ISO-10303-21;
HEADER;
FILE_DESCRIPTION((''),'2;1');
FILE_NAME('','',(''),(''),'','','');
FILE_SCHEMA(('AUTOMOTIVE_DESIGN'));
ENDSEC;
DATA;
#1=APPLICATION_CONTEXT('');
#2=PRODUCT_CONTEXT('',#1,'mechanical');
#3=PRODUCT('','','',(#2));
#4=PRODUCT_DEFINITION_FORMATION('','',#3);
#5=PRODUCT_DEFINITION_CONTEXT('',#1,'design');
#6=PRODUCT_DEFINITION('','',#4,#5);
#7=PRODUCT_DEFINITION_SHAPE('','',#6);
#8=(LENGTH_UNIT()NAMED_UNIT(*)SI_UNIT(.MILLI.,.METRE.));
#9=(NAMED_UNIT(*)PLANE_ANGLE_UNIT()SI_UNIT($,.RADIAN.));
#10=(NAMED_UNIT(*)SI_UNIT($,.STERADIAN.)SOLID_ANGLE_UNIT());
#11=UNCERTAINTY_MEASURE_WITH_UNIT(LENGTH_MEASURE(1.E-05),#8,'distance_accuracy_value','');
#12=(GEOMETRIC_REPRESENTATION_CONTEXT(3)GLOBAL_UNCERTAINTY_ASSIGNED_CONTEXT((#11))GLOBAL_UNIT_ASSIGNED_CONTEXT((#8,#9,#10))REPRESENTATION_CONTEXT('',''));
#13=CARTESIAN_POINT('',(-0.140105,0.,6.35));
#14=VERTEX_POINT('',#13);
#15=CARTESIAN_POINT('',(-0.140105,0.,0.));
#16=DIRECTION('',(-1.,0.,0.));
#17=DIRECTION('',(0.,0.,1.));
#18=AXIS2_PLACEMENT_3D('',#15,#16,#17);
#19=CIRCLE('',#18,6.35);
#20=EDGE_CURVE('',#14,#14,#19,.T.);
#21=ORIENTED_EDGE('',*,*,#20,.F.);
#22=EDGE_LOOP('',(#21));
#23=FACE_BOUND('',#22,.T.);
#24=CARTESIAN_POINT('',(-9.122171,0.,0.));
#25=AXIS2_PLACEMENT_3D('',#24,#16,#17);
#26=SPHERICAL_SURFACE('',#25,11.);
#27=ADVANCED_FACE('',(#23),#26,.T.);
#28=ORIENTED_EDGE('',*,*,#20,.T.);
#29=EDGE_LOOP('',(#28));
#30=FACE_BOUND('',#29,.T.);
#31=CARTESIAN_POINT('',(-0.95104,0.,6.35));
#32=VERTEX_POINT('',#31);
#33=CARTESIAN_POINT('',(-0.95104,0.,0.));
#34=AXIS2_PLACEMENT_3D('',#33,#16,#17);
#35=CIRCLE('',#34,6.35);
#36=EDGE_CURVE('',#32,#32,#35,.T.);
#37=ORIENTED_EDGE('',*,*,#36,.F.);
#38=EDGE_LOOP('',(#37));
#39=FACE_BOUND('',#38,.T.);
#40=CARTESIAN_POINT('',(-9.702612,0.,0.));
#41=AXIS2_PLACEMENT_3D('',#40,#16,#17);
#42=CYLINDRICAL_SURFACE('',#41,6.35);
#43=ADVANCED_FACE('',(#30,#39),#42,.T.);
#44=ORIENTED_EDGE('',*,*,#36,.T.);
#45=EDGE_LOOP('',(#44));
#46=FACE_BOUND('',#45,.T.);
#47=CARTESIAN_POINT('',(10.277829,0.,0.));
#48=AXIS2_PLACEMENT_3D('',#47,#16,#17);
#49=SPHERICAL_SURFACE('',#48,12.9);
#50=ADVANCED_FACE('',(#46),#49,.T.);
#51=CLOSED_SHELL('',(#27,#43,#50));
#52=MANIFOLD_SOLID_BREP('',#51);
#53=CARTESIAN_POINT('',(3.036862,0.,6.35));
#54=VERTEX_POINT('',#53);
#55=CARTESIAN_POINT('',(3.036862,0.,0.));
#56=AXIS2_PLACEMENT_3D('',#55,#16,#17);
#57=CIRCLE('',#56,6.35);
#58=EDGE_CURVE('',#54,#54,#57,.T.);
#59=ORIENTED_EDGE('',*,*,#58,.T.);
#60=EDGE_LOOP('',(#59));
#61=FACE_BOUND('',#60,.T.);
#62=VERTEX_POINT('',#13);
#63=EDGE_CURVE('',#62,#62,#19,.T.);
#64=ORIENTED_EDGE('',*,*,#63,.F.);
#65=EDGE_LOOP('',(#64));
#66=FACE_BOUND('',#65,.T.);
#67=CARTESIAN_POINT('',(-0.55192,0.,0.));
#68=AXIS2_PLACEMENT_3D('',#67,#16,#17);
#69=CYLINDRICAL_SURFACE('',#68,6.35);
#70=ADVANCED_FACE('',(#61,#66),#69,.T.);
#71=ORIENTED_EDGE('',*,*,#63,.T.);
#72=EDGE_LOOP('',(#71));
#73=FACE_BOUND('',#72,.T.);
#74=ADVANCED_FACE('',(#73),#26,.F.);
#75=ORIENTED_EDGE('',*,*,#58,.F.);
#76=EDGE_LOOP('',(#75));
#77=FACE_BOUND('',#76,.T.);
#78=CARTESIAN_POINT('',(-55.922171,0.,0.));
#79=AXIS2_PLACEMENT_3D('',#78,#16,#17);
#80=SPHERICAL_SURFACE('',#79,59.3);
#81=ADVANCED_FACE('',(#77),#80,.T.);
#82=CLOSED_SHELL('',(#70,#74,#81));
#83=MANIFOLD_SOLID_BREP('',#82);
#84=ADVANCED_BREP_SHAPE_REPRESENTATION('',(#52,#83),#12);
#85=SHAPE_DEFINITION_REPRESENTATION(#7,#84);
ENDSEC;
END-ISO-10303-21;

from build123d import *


with BuildPart() as part:
    # 草图1 one side → 旋转1 (revolve)
    with BuildSketch(Plane(origin=(0, 0, 0), x_dir=(1, 0, 0), z_dir=(0, 1, 0)), mode=Mode.PRIVATE) as revolve_1_sk:
        with BuildLine():
            ThreePointArc((-0.951039891, 6.35), (-2.197394506, 3.283107471), (-2.622170847, 0))
            Line((-2.622170847, 0), (1.877829153, 0))
            ThreePointArc((1.877829153, 0), (1.361214105, 3.331462134), (-0.140105383, 6.35))
            Line((-0.140105383, 6.35), (-0.951039891, 6.35))
        make_face()
    revolve(revolve_1_sk.sketch.rotate(Axis((-9.702612178, 0, 0), (1, 0, 0)), 180), axis=Axis((-9.702612178, 0, 0), (1, 0, 0)))  # turned: the seam where the file's is


with BuildPart() as body_2:
    # 草图2 one side → 旋转3 (revolve)
    with BuildSketch(Plane(origin=(0, 0, 0), x_dir=(1, 0, 0), z_dir=(0, 1, 0)), mode=Mode.PRIVATE) as revolve_3_sk:
        with BuildLine():
            Line((3.03686154, 6.35), (-0.140105383, 6.35))
            ThreePointArc((-0.140105383, 6.35), (1.361214105, 3.331462134), (1.877829153, 0))
            Line((1.877829153, 0), (3.377829153, 0))
            ThreePointArc((3.377829153, 0), (3.292525895, 3.179573828), (3.03686154, 6.35))
        make_face()
    revolve(revolve_3_sk.sketch.rotate(Axis((-0.551919993, 0, 0), (1, 0, 0)), 180), axis=Axis((-0.551919993, 0, 0), (1, 0, 0)))  # turned: the seam where the file's is


solid = Compound([part.part, body_2.part])
